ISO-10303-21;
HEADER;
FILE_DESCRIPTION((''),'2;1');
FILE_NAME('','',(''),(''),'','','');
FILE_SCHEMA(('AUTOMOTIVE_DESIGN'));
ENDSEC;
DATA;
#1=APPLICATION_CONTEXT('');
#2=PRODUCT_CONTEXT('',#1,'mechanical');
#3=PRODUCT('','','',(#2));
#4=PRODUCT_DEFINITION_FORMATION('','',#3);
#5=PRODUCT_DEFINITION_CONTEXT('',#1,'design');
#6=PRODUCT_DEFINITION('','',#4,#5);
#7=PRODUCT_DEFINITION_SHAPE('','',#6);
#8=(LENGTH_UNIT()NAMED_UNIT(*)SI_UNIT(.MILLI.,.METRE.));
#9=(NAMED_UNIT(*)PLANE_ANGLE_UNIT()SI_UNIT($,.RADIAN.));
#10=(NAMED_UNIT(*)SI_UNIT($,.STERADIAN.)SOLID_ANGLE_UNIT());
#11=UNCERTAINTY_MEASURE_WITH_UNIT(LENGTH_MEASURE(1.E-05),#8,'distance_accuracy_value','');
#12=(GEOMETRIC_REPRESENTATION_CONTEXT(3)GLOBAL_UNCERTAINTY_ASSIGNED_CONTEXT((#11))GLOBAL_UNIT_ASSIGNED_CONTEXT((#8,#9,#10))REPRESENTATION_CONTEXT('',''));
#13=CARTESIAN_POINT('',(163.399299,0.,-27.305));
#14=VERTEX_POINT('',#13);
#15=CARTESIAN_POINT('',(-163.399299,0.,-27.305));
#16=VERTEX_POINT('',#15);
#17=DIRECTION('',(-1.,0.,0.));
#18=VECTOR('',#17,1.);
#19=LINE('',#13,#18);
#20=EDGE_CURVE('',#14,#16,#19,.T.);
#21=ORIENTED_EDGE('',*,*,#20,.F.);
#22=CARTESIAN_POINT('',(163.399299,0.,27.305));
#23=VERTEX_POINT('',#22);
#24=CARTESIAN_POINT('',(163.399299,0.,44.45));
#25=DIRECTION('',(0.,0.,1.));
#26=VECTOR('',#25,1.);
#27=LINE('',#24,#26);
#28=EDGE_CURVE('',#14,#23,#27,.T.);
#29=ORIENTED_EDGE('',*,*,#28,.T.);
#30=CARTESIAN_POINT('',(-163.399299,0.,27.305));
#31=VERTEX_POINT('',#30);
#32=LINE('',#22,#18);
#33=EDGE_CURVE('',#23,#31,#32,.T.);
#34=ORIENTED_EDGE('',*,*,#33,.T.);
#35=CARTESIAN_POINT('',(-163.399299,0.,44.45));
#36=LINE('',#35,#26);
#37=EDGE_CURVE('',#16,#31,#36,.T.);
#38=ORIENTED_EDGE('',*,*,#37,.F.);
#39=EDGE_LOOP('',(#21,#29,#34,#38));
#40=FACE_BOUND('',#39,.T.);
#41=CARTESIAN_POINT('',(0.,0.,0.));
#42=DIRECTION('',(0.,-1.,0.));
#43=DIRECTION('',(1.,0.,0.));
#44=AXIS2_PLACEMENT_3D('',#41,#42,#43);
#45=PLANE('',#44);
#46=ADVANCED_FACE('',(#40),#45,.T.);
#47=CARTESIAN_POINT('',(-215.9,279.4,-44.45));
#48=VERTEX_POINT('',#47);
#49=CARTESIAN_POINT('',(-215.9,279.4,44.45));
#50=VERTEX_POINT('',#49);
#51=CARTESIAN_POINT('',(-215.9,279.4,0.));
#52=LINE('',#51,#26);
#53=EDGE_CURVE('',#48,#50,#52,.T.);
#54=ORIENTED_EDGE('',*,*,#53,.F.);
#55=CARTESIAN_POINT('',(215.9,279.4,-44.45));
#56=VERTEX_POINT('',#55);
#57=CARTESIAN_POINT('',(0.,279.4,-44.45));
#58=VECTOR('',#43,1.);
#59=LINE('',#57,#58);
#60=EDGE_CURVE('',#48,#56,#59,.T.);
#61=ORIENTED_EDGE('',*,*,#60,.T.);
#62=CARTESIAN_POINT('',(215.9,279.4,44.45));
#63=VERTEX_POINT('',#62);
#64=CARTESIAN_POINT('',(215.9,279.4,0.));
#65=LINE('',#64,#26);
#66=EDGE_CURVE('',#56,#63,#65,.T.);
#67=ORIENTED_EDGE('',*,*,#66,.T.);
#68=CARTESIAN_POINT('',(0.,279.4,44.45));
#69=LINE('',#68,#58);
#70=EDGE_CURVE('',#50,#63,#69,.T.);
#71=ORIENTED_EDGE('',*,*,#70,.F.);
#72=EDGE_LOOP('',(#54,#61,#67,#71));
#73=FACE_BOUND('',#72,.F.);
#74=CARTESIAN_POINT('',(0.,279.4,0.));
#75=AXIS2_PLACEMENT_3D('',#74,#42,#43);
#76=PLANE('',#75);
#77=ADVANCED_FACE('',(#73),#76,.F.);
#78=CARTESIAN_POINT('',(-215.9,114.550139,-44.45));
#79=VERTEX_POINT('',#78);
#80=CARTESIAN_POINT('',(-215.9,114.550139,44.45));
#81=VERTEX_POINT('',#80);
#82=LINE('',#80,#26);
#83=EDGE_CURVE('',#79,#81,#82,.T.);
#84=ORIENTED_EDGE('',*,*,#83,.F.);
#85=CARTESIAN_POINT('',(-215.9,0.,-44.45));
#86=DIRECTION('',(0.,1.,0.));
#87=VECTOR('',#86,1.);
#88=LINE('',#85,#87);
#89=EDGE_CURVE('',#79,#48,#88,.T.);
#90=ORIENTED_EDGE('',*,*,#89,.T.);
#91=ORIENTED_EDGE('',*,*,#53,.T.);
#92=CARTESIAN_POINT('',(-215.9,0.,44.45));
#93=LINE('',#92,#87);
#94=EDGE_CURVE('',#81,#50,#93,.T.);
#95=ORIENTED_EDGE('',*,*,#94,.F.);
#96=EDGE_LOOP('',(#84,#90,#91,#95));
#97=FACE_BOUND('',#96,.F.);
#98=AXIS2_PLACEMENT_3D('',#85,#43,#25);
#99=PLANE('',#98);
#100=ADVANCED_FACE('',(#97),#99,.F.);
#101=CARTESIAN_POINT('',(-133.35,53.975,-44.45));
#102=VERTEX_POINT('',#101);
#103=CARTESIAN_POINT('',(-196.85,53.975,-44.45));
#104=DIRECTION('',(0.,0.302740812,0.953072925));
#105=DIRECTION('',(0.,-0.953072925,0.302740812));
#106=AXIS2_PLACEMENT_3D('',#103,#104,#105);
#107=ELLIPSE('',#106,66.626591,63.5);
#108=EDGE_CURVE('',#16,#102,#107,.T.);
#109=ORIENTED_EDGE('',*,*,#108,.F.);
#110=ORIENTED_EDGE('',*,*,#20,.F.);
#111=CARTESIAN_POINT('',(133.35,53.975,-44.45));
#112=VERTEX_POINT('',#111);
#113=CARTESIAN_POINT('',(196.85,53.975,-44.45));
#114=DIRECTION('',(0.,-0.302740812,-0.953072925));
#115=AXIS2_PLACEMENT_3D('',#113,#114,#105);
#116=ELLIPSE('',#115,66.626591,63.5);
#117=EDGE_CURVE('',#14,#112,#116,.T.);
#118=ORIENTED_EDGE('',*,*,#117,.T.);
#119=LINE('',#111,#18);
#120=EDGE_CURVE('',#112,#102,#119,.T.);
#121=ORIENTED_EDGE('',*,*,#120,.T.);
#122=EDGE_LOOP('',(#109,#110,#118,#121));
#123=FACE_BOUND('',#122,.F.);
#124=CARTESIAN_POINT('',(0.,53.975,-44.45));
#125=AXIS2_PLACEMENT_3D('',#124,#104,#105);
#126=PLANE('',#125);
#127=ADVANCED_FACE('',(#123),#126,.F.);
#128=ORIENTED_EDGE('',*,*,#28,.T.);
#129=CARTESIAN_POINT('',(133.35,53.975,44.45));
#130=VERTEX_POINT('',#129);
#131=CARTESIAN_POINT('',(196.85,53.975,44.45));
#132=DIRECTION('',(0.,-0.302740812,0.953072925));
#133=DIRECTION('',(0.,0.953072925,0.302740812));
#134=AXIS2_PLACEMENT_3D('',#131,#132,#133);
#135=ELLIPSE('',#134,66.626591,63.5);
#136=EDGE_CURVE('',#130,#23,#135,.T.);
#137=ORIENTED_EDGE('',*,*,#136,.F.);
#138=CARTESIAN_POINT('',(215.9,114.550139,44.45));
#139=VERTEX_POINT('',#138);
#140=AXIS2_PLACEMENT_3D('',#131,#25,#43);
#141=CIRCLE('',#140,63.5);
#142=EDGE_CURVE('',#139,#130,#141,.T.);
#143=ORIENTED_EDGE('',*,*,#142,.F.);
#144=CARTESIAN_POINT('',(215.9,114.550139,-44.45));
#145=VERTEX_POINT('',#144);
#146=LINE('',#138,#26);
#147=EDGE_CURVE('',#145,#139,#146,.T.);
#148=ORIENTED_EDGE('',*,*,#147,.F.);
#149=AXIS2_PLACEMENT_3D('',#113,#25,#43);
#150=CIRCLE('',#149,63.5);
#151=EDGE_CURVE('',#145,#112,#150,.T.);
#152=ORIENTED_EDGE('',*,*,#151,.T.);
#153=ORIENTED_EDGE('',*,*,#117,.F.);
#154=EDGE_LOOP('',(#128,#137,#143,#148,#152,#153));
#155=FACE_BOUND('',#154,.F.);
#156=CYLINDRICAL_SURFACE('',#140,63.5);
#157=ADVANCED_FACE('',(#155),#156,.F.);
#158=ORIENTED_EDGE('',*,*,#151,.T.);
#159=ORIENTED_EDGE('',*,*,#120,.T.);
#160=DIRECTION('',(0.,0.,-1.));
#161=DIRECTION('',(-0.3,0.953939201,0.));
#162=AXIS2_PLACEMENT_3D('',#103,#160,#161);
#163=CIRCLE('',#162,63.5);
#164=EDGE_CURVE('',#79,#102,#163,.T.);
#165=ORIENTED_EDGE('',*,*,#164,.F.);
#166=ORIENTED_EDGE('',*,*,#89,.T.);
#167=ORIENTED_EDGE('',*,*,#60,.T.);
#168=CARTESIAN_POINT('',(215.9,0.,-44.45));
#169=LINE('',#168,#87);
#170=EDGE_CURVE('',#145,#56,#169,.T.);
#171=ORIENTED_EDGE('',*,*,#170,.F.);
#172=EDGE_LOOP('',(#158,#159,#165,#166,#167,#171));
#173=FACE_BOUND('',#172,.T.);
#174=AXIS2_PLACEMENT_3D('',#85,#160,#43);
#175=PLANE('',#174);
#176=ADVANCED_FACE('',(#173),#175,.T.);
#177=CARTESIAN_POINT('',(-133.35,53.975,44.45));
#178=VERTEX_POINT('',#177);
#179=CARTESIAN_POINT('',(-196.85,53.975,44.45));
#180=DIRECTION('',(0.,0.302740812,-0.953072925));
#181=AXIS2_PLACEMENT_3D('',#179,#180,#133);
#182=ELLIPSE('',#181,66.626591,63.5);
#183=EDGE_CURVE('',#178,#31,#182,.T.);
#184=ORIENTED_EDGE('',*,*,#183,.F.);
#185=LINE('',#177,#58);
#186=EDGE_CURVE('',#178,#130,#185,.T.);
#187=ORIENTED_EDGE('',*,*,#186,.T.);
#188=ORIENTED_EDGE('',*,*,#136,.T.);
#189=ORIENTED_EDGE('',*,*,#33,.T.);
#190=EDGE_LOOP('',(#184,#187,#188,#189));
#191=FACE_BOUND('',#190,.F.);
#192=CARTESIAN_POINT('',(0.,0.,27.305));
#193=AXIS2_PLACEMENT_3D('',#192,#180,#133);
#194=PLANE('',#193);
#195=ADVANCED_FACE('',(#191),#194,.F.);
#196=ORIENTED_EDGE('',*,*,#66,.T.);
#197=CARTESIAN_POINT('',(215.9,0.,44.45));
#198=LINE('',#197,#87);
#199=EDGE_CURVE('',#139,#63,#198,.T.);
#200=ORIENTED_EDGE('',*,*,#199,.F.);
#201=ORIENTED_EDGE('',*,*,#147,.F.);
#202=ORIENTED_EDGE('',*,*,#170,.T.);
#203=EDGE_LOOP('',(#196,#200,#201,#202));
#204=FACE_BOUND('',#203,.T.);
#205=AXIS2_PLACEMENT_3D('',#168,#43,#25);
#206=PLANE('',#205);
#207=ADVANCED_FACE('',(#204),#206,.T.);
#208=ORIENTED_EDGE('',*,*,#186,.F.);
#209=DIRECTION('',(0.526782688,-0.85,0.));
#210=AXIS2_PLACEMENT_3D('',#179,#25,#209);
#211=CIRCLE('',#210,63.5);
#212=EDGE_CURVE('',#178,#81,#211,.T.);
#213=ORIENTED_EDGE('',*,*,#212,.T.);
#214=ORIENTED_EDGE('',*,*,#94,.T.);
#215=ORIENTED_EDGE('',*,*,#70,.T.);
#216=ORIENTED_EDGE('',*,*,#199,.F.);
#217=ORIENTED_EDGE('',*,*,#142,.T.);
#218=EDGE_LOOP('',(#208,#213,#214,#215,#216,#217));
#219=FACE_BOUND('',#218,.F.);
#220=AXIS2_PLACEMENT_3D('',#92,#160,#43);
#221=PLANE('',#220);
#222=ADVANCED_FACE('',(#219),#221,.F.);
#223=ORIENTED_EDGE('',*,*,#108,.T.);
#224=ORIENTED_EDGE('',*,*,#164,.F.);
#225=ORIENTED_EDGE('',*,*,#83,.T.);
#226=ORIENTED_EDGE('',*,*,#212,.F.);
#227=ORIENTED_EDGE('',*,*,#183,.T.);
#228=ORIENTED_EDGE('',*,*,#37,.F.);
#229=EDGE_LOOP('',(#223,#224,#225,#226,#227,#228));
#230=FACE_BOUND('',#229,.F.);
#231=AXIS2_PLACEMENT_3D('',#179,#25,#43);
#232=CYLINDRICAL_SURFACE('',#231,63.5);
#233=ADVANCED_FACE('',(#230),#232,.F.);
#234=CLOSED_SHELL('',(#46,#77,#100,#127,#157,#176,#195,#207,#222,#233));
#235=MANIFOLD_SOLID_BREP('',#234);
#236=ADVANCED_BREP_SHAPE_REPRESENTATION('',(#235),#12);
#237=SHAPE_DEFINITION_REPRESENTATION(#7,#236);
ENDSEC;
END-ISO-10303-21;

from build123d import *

# Parameters (mm, degrees)
F0_W          = 431.8
F0_H          = 88.9
F1_DEPTH      = 279.4
F2_R          = 63.5
F3_DEPTH      = 127
F5_DEPTH      = 227.33
F5_DEPTH_BACK = 269.24


with BuildPart() as f1:
    # F0 (on Front) → F1 (new body)
    with BuildSketch(Plane.XZ):
        Rectangle(F0_W, F0_H)
    extrude(amount=-F1_DEPTH)

    # F2 (on face) → F3 (cut)
    with BuildSketch(Plane.XY.offset(44.45)):
        with Locations((-196.85, 53.975)):
            Circle(F2_R)
        with Locations((196.85, 53.975)):
            Circle(F2_R)
    extrude(amount=-F3_DEPTH, mode=Mode.SUBTRACT)

    # F4 (on Right) → F5 (cut, two sides)
    with BuildSketch(Plane.YZ) as f5_sk:
        Polygon((0, 44.45), (0, 27.305), (53.975, 44.45), align=None)
        Polygon((0, -44.45), (53.975, -44.45), (0, -27.305), align=None)
    extrude(amount=-F5_DEPTH, mode=Mode.SUBTRACT)
    extrude(f5_sk.sketch, amount=F5_DEPTH_BACK, mode=Mode.SUBTRACT)


solid = f1.part
